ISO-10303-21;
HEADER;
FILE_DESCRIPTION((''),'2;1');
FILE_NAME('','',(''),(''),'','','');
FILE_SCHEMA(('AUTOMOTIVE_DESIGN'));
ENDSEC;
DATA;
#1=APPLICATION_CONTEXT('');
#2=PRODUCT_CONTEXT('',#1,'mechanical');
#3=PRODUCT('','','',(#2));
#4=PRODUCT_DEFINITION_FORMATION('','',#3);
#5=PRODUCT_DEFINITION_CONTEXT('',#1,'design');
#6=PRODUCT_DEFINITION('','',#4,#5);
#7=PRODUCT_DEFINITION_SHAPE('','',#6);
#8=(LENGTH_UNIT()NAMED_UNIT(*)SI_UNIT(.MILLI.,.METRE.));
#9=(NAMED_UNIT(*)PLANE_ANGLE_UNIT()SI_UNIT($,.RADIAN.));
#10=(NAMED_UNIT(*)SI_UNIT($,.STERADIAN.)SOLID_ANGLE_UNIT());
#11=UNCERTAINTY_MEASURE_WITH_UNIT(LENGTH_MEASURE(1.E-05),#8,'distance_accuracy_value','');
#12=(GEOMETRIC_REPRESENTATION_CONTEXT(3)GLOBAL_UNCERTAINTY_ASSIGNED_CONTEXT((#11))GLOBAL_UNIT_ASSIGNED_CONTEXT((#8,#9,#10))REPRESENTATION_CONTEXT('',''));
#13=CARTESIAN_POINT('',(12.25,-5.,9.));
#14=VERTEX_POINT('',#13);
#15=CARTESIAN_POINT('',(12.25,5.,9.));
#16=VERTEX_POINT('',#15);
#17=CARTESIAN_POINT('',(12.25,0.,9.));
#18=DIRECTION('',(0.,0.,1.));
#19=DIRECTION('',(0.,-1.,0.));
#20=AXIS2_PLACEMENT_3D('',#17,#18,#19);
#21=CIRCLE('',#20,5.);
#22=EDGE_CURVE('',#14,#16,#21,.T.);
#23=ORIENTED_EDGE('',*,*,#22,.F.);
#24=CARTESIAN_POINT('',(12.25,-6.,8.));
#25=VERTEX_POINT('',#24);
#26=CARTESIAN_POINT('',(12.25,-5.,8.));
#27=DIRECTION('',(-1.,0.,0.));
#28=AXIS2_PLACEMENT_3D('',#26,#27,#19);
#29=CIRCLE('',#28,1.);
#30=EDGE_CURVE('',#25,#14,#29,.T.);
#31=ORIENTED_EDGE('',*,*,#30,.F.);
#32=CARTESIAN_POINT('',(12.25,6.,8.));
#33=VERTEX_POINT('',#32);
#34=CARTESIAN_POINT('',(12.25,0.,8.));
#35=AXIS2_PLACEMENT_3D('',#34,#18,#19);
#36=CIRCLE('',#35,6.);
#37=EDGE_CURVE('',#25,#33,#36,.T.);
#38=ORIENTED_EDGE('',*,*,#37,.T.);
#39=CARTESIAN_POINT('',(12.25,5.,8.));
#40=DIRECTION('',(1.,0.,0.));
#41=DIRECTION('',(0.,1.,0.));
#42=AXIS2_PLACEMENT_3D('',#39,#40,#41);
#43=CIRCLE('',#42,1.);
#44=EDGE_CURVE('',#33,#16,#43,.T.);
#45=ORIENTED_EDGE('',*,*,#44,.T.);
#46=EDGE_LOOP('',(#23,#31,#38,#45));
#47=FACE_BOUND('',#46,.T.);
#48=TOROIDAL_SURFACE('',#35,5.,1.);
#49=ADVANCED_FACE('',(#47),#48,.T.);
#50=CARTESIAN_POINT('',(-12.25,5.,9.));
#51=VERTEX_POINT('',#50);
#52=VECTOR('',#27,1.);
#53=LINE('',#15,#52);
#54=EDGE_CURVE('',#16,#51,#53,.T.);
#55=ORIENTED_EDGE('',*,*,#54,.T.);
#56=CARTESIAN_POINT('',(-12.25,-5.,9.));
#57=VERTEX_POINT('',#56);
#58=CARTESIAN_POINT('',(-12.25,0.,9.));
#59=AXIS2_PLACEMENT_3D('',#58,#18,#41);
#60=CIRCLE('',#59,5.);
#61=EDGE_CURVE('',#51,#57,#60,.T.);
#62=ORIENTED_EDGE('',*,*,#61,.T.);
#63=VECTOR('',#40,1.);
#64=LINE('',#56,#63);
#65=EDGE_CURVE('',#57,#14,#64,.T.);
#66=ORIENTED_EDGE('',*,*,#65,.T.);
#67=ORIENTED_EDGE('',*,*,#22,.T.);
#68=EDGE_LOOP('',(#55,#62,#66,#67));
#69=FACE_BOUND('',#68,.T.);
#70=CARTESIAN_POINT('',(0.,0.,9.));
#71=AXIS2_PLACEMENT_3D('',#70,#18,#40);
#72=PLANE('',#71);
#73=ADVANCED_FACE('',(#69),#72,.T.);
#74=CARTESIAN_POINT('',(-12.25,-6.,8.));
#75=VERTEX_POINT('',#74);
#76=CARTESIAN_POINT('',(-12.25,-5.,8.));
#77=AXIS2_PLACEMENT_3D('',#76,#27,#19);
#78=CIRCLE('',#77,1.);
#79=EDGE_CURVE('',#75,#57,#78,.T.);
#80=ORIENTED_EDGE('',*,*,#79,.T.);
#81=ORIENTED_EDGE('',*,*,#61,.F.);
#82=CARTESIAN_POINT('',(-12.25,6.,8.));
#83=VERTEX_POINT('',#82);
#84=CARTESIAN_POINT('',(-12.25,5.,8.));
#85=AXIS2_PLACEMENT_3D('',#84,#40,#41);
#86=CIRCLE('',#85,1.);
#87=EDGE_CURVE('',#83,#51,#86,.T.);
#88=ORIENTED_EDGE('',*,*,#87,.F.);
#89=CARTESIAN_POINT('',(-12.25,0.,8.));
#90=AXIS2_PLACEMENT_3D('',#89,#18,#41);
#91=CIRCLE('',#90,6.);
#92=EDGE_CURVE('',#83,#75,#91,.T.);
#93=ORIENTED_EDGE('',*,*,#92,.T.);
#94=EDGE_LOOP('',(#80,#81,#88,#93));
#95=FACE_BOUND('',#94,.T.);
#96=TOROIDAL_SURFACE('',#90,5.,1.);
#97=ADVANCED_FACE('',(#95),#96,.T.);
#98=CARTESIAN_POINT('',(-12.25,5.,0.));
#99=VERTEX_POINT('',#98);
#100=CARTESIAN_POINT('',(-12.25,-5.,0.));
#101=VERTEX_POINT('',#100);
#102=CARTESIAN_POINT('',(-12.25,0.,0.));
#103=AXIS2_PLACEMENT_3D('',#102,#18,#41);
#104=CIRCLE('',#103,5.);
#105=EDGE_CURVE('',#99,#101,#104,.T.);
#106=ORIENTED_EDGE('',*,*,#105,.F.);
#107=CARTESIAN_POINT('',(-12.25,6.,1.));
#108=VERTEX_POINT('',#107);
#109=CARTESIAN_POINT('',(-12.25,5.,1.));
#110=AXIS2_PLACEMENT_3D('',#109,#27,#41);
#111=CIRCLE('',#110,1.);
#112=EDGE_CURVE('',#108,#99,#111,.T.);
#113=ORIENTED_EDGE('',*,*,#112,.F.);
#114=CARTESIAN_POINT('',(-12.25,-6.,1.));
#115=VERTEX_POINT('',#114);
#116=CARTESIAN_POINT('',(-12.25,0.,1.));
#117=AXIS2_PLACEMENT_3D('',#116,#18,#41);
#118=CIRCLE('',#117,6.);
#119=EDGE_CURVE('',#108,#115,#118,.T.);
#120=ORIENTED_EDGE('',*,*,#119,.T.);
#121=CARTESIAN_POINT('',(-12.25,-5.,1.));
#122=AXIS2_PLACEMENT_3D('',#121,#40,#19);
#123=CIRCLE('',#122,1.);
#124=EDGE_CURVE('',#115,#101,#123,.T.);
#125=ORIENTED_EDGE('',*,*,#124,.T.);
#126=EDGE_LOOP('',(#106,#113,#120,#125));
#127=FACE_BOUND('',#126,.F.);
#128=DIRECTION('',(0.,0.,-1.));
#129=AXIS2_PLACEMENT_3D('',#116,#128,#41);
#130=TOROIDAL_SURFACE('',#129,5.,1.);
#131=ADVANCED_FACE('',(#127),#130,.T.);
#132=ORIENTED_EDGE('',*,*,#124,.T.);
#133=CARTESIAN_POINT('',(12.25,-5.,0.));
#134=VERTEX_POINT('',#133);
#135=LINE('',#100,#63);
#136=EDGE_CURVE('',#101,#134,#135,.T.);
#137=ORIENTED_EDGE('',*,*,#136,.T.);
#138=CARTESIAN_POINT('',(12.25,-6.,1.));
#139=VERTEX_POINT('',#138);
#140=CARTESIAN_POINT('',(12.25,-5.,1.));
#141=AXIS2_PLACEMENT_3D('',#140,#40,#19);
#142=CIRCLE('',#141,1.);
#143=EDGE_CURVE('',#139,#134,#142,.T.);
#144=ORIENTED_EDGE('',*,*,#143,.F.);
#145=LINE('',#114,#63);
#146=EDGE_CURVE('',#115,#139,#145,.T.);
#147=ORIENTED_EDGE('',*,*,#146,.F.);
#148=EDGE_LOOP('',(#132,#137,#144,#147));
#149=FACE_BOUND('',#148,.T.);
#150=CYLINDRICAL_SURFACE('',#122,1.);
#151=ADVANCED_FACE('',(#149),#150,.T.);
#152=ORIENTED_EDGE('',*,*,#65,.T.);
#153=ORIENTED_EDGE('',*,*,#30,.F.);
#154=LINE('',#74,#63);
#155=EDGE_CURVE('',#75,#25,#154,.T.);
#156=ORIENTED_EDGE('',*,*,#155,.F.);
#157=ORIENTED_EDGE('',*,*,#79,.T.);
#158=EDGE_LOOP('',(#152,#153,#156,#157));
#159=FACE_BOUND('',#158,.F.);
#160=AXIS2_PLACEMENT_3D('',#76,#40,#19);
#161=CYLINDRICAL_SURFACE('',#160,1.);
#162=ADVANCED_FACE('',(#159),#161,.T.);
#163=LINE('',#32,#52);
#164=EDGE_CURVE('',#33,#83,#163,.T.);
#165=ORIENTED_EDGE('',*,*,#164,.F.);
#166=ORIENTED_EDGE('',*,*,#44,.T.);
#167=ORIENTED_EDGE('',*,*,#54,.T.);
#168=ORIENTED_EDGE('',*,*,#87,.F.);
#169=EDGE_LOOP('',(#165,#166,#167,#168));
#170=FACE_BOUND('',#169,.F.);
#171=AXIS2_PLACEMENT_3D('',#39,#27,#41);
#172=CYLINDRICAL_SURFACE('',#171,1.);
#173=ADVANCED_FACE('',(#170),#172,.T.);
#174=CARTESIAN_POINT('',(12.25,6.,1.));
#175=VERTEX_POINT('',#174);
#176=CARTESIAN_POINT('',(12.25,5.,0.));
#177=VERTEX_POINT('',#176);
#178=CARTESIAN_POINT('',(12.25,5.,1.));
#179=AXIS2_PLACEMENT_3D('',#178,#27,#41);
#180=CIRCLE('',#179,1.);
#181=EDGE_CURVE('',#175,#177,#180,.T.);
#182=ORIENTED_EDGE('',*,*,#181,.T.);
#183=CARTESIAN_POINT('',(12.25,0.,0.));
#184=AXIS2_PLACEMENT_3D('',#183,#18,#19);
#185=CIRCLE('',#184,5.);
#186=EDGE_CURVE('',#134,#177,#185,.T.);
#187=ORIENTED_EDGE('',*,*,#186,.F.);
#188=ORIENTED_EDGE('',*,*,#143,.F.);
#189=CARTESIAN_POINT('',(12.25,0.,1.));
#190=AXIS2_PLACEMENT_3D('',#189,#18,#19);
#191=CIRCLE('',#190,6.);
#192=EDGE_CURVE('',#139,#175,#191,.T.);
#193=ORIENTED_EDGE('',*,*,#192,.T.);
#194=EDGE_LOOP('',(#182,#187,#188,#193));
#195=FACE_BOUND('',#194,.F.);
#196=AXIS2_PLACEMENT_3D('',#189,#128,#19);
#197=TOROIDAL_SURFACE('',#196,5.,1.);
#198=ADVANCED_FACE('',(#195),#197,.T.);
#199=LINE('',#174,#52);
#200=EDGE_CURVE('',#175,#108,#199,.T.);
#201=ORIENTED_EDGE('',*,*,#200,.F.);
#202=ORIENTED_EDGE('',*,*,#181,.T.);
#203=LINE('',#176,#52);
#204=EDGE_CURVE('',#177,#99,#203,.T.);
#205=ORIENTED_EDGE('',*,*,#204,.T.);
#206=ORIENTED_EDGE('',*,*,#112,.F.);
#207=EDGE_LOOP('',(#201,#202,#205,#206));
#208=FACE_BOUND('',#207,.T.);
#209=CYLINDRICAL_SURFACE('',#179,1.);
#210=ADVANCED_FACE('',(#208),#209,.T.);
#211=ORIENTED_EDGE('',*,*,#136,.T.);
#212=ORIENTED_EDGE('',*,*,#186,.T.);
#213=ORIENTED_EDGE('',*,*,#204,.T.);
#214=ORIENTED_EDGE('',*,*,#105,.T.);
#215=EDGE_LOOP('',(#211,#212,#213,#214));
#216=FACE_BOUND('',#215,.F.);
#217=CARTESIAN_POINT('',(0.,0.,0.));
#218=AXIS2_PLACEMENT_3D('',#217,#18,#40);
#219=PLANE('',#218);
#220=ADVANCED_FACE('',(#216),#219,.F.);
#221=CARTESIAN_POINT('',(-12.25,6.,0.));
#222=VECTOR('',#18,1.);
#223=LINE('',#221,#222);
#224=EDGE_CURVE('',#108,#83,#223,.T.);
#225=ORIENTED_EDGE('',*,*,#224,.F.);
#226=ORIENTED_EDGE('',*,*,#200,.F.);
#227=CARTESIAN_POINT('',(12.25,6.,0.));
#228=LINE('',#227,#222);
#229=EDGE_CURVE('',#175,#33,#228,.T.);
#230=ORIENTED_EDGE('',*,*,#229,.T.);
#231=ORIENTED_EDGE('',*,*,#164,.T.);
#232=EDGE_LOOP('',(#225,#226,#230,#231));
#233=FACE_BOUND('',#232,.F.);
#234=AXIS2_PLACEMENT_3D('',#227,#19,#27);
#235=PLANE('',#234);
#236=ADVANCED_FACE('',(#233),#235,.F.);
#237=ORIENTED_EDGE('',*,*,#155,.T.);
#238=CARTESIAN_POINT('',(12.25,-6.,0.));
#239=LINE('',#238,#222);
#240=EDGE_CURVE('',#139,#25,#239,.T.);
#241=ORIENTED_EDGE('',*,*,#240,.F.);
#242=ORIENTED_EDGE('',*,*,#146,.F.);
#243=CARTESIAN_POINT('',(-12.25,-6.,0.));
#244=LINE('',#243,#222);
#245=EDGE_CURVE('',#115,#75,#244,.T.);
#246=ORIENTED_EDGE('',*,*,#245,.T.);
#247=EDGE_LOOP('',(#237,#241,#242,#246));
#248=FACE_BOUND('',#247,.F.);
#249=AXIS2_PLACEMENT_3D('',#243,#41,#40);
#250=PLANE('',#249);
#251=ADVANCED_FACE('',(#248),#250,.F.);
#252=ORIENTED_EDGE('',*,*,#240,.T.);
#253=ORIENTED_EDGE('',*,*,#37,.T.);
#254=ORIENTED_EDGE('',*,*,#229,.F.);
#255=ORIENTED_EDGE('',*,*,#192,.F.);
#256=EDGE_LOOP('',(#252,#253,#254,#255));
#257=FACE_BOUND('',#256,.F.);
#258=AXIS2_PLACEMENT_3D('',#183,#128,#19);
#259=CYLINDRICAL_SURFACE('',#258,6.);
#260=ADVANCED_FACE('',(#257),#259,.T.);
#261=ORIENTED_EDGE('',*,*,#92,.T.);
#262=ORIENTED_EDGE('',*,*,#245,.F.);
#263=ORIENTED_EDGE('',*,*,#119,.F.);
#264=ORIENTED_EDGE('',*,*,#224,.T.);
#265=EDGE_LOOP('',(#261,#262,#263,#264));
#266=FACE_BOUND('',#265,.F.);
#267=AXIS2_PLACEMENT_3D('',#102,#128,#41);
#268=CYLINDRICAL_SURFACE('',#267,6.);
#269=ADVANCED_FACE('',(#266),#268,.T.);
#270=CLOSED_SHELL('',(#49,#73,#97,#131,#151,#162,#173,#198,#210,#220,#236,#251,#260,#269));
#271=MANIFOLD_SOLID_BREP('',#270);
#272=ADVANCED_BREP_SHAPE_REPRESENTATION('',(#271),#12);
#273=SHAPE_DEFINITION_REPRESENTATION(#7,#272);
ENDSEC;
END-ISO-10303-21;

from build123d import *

# Parameters (mm, degrees)
F1_DEPTH = 9
F2_R     = 1


with BuildPart() as f1:
    # F0 (on Top) → F1 (new body)
    with BuildSketch(Plane.XY):
        with BuildLine():
            Line((-12.25, -6), (12.25, -6))
            ThreePointArc((12.25, -6), (18.25, 0), (12.25, 6))
            Line((12.25, 6), (-12.25, 6))
            ThreePointArc((-12.25, 6), (-18.25, 0), (-12.25, -6))
        make_face()
    extrude(amount=F1_DEPTH)

    # F2
    f2_edges = [f1.edges().sort_by_distance(p)[0] for p in [
        (0, 6, 0),
        (0, 6, 9),
    ]]
    fillet(f2_edges, radius=F2_R)


solid = f1.part
